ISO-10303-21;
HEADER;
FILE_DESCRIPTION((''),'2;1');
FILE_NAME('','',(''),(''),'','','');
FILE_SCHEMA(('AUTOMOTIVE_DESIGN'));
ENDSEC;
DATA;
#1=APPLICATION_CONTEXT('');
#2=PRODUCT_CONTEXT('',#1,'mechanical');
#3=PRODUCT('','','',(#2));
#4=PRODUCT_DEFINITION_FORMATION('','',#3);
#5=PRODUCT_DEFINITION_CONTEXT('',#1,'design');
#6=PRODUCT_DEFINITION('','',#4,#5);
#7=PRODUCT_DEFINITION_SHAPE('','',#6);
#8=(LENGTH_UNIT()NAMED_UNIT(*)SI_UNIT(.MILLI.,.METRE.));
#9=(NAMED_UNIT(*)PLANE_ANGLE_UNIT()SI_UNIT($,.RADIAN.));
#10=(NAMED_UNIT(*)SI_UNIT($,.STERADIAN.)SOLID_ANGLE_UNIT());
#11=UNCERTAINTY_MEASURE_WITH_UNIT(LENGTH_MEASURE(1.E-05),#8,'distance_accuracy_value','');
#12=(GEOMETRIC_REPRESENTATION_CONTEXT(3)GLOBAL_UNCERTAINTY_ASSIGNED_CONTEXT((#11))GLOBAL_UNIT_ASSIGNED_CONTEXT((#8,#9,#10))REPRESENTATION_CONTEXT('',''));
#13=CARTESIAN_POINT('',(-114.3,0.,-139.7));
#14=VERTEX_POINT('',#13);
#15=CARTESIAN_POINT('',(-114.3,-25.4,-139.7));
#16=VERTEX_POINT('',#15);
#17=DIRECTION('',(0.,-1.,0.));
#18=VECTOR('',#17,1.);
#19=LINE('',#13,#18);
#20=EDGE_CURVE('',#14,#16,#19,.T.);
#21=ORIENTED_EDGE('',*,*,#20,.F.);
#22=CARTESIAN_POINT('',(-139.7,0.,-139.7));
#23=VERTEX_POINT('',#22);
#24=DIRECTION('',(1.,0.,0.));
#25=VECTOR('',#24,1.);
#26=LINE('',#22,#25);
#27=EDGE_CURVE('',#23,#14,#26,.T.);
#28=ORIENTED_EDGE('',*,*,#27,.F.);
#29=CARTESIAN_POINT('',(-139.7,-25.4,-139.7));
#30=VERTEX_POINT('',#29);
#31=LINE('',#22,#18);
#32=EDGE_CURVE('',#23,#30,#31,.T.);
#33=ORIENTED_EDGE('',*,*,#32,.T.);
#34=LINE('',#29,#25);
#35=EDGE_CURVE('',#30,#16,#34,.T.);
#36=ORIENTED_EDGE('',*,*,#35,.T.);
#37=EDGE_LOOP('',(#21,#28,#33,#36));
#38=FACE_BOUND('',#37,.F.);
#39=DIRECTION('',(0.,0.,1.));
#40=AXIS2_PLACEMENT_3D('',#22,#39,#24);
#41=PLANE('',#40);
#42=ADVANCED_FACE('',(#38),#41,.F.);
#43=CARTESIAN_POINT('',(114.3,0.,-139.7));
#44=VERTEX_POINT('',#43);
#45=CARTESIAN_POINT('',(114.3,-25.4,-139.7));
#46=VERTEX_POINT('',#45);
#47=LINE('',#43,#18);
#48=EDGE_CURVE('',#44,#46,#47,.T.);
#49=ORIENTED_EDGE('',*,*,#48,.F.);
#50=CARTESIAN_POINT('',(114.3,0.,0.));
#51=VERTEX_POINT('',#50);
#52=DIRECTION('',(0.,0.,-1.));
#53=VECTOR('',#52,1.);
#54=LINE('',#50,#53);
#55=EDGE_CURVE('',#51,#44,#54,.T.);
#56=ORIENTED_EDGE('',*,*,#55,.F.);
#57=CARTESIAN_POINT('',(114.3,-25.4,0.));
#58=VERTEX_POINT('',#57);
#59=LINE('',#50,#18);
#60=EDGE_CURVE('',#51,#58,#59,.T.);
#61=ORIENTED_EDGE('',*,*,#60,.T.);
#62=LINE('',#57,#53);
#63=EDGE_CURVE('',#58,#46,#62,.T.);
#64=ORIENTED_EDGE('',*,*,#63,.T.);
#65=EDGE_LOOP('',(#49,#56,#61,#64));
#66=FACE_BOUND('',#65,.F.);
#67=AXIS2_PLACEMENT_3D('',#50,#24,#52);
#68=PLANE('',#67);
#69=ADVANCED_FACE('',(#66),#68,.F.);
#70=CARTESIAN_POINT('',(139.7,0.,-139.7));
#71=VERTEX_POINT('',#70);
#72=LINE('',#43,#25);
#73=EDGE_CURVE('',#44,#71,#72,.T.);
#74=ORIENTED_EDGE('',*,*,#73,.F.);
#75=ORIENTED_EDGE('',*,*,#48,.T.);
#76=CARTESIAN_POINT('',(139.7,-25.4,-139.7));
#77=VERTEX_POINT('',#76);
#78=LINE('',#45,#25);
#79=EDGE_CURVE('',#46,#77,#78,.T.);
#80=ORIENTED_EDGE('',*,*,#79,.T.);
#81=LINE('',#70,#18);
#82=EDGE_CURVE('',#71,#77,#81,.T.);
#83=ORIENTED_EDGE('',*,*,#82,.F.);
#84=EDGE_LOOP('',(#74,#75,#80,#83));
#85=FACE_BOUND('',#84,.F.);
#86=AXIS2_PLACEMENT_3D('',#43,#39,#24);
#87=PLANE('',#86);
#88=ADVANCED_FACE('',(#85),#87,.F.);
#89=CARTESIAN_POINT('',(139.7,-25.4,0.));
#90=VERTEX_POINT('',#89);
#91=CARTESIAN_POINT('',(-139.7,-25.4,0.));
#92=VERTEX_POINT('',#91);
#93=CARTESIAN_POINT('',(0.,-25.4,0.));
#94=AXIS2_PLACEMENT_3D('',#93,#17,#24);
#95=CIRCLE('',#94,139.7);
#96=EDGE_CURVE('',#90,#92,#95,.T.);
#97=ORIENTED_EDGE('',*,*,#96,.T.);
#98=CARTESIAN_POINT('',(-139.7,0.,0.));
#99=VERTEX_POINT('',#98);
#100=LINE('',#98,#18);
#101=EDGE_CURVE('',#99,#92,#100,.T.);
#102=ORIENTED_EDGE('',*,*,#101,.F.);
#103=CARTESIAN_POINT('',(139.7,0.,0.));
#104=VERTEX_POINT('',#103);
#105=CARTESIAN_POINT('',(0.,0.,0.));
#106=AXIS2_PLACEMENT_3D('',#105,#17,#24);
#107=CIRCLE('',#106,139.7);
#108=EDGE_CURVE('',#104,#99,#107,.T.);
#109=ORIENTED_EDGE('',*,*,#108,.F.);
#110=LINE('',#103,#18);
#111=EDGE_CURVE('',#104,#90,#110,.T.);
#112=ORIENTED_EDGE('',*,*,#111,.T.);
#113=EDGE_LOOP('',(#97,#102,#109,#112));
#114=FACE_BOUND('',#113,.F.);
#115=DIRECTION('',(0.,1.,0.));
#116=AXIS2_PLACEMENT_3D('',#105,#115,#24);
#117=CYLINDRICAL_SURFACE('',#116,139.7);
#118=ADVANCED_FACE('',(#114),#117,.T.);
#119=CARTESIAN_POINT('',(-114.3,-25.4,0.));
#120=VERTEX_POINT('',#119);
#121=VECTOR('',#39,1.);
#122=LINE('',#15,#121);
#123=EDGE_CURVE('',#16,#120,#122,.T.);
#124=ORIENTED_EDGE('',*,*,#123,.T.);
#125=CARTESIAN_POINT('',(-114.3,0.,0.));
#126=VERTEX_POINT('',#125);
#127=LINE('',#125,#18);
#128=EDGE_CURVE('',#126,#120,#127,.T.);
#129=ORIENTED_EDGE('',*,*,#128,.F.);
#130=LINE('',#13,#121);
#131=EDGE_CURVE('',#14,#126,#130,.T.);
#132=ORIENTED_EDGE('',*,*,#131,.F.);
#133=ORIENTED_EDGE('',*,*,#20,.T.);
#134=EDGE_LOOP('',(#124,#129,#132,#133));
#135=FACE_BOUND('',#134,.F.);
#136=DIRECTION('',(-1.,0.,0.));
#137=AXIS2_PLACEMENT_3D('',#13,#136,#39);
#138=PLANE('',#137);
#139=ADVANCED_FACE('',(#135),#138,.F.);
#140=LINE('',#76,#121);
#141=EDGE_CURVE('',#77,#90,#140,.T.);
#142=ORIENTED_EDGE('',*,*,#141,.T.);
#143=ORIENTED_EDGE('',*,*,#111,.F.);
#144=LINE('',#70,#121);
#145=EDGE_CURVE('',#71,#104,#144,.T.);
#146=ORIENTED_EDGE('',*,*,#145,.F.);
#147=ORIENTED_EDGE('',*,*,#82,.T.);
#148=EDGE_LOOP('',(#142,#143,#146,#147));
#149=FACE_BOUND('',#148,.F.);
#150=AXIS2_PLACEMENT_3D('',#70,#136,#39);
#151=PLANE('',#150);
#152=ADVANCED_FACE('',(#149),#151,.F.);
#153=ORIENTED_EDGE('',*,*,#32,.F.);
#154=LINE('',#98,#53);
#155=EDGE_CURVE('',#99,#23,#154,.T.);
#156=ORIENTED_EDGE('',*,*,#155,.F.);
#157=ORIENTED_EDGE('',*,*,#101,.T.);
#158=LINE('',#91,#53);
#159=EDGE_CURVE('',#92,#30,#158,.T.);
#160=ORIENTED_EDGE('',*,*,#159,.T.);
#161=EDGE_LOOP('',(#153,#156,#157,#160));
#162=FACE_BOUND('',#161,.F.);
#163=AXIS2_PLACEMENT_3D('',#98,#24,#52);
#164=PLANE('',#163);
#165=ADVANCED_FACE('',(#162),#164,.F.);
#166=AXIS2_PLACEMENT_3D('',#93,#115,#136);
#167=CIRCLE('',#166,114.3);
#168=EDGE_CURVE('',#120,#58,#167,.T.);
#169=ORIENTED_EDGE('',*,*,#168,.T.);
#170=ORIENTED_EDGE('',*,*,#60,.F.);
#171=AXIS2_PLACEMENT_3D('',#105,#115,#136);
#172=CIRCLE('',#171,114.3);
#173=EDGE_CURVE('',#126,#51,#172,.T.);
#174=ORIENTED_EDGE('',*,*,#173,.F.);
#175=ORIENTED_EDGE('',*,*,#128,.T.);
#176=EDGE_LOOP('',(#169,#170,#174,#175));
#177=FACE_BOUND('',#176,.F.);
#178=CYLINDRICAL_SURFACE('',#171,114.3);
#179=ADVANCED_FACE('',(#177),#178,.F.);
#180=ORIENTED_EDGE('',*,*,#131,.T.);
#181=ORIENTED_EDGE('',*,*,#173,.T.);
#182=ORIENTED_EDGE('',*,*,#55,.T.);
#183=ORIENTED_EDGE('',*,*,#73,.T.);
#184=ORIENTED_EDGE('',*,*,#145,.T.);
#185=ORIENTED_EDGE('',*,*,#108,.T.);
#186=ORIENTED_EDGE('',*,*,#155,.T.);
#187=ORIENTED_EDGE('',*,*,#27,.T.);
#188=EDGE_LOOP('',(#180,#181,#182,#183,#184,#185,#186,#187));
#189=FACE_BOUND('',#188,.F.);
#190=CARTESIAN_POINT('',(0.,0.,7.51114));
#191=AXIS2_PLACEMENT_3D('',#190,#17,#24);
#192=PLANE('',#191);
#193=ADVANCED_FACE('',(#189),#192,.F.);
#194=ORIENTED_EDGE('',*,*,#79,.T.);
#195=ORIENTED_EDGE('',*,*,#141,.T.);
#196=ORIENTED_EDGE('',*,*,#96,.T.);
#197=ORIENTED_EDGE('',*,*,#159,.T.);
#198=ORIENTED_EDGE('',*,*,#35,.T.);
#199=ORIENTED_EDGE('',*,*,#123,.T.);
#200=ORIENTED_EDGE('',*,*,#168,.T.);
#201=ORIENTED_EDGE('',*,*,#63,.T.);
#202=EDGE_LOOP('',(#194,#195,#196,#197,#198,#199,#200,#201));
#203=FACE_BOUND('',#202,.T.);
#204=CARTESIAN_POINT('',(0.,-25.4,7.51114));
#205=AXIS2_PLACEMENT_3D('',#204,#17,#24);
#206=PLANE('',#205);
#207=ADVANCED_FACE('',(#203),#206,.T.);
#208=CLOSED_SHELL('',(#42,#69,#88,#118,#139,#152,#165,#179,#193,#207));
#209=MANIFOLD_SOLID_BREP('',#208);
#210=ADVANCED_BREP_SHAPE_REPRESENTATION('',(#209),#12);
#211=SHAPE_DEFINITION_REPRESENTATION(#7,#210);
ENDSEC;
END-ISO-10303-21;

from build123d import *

# Parameters (mm, degrees)
F1_DEPTH = 25.4


with BuildPart() as f1:
    # F0 (on Front) → F1 (new body)
    with BuildSketch(Plane.XZ):
        with BuildLine():
            Line((139.7, -139.7), (139.7, 0))
            ThreePointArc((139.7, 0), (0, 139.7), (-139.7, 0))
            Line((-139.7, 0), (-139.7, -139.7))
            Line((-139.7, -139.7), (-114.3, -139.7))
            Line((-114.3, -139.7), (-114.3, 0))
            ThreePointArc((-114.3, 0), (0, 114.3), (114.3, 0))
            Line((114.3, 0), (114.3, -139.7))
            Line((114.3, -139.7), (139.7, -139.7))
        make_face()
    extrude(amount=F1_DEPTH)


solid = f1.part
